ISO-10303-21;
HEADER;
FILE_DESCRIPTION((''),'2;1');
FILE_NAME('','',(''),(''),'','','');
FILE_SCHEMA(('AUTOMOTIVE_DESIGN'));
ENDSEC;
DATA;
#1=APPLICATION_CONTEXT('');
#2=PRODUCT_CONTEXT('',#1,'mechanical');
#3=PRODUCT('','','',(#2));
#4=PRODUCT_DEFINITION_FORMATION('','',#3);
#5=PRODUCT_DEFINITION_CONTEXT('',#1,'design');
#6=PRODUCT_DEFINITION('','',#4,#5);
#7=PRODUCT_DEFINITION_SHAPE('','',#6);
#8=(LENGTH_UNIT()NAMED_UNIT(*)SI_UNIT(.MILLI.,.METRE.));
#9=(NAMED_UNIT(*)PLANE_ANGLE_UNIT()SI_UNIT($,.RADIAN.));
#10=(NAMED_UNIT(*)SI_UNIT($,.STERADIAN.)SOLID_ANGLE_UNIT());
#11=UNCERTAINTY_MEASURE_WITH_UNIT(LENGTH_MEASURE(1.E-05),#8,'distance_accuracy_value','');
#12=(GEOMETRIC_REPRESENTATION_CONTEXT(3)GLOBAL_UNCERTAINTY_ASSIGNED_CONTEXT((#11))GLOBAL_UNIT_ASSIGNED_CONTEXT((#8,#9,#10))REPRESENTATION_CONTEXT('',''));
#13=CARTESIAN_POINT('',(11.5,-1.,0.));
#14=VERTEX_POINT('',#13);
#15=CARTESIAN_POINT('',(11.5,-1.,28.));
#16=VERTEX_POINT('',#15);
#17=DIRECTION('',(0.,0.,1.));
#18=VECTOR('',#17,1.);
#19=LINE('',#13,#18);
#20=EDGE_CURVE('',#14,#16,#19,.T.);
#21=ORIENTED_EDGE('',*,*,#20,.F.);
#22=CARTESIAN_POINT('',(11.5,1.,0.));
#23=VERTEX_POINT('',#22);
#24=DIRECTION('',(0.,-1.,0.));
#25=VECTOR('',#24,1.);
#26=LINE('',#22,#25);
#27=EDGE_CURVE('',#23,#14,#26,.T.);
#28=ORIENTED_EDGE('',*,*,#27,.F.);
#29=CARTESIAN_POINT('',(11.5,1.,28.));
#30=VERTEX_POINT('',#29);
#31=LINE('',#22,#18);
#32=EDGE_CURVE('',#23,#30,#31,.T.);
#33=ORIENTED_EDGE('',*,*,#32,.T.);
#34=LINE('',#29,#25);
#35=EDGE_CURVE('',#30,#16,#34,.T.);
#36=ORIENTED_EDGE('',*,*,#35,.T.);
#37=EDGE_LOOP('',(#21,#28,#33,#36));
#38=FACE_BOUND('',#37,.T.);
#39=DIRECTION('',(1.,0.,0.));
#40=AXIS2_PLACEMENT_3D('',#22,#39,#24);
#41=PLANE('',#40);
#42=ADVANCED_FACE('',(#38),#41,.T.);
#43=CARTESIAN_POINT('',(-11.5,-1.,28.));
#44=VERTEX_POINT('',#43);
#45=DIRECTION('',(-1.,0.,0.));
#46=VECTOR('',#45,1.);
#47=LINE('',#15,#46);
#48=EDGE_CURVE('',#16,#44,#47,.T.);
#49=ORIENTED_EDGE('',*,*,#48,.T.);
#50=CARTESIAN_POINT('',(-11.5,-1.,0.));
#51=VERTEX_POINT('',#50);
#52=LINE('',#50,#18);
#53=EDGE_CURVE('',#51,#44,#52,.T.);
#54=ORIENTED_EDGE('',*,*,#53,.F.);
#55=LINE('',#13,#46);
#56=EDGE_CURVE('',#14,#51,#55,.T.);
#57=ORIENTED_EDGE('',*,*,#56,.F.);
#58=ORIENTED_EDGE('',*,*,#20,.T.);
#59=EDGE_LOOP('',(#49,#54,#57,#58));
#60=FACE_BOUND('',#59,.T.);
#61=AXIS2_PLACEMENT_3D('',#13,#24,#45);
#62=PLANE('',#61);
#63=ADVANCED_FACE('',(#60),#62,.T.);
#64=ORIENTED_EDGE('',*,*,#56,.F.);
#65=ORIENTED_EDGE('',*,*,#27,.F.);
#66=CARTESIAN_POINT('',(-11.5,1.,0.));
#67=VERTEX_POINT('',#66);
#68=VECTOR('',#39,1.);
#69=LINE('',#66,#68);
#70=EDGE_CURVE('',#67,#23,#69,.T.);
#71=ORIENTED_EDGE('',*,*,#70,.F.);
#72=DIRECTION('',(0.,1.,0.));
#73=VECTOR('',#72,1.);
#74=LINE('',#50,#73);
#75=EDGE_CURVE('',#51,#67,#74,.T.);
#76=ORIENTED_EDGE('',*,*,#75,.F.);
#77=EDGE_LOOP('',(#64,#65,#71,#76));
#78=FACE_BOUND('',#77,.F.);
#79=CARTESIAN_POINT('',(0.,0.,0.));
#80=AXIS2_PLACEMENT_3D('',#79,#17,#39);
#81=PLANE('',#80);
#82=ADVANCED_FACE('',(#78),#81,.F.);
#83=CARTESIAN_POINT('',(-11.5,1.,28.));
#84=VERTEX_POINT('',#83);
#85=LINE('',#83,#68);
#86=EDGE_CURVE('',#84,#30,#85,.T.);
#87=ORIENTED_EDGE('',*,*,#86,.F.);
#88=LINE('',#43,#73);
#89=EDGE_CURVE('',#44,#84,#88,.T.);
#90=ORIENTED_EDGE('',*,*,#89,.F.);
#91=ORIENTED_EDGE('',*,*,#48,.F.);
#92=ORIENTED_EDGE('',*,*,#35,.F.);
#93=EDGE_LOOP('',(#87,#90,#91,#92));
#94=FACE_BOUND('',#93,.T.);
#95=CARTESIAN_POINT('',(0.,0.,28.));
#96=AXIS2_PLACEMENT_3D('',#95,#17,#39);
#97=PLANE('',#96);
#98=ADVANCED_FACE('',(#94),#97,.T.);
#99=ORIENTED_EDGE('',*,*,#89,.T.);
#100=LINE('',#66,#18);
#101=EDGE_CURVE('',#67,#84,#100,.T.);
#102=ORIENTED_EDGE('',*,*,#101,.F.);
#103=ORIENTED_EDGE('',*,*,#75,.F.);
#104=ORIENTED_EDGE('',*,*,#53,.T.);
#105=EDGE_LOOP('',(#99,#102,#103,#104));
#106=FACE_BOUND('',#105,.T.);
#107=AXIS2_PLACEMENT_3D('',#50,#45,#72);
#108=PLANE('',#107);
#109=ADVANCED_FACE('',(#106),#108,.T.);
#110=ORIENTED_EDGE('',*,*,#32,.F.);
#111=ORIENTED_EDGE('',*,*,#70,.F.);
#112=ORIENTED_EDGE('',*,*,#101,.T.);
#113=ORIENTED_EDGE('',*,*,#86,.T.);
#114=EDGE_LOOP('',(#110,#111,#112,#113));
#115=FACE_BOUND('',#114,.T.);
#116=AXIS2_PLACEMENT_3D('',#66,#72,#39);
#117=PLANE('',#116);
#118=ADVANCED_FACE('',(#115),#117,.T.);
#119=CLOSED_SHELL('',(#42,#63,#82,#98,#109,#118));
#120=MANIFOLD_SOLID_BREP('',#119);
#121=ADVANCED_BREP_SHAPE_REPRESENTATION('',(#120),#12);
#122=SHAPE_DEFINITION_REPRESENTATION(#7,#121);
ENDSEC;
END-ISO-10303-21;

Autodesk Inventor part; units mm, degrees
ref_plane "YZ Plane" through (0, 0, 0) normal (1, 0, 0) x (0, 1, 0)
ref_plane "XZ Plane" through (0, 0, 0) normal (0, 1, 0) x (-1, 0, 0)
ref_plane "XY Plane" through (0, 0, 0) normal (0, 0, 1) x (1, 0, 0)
sketch "Sketch1" plane through (0, 0, 0) normal (0, 0, 1) x (1, 0, 0)
  line L0 (-11.5, 1) -> (11.5, 1)
  line L1 (11.5, 1) -> (11.5, -1)
  line L2 (11.5, -1) -> (-11.5, -1)
  line L3 (-11.5, -1) -> (-11.5, 1)
  point P0 (0, 0)
  dimension "d0" = 23
  dimension "d1" = 2
  dimension "d2" = 1
  dimension "d3" = 11.5
extrude "Extrusion1" add sketch "Sketch1" along normal blind 28
equation "\"d2\" = 0.5 * d1"
equation "\"d3\" = 0.5 * d0"
properties part number "Cover" material "Glass"
